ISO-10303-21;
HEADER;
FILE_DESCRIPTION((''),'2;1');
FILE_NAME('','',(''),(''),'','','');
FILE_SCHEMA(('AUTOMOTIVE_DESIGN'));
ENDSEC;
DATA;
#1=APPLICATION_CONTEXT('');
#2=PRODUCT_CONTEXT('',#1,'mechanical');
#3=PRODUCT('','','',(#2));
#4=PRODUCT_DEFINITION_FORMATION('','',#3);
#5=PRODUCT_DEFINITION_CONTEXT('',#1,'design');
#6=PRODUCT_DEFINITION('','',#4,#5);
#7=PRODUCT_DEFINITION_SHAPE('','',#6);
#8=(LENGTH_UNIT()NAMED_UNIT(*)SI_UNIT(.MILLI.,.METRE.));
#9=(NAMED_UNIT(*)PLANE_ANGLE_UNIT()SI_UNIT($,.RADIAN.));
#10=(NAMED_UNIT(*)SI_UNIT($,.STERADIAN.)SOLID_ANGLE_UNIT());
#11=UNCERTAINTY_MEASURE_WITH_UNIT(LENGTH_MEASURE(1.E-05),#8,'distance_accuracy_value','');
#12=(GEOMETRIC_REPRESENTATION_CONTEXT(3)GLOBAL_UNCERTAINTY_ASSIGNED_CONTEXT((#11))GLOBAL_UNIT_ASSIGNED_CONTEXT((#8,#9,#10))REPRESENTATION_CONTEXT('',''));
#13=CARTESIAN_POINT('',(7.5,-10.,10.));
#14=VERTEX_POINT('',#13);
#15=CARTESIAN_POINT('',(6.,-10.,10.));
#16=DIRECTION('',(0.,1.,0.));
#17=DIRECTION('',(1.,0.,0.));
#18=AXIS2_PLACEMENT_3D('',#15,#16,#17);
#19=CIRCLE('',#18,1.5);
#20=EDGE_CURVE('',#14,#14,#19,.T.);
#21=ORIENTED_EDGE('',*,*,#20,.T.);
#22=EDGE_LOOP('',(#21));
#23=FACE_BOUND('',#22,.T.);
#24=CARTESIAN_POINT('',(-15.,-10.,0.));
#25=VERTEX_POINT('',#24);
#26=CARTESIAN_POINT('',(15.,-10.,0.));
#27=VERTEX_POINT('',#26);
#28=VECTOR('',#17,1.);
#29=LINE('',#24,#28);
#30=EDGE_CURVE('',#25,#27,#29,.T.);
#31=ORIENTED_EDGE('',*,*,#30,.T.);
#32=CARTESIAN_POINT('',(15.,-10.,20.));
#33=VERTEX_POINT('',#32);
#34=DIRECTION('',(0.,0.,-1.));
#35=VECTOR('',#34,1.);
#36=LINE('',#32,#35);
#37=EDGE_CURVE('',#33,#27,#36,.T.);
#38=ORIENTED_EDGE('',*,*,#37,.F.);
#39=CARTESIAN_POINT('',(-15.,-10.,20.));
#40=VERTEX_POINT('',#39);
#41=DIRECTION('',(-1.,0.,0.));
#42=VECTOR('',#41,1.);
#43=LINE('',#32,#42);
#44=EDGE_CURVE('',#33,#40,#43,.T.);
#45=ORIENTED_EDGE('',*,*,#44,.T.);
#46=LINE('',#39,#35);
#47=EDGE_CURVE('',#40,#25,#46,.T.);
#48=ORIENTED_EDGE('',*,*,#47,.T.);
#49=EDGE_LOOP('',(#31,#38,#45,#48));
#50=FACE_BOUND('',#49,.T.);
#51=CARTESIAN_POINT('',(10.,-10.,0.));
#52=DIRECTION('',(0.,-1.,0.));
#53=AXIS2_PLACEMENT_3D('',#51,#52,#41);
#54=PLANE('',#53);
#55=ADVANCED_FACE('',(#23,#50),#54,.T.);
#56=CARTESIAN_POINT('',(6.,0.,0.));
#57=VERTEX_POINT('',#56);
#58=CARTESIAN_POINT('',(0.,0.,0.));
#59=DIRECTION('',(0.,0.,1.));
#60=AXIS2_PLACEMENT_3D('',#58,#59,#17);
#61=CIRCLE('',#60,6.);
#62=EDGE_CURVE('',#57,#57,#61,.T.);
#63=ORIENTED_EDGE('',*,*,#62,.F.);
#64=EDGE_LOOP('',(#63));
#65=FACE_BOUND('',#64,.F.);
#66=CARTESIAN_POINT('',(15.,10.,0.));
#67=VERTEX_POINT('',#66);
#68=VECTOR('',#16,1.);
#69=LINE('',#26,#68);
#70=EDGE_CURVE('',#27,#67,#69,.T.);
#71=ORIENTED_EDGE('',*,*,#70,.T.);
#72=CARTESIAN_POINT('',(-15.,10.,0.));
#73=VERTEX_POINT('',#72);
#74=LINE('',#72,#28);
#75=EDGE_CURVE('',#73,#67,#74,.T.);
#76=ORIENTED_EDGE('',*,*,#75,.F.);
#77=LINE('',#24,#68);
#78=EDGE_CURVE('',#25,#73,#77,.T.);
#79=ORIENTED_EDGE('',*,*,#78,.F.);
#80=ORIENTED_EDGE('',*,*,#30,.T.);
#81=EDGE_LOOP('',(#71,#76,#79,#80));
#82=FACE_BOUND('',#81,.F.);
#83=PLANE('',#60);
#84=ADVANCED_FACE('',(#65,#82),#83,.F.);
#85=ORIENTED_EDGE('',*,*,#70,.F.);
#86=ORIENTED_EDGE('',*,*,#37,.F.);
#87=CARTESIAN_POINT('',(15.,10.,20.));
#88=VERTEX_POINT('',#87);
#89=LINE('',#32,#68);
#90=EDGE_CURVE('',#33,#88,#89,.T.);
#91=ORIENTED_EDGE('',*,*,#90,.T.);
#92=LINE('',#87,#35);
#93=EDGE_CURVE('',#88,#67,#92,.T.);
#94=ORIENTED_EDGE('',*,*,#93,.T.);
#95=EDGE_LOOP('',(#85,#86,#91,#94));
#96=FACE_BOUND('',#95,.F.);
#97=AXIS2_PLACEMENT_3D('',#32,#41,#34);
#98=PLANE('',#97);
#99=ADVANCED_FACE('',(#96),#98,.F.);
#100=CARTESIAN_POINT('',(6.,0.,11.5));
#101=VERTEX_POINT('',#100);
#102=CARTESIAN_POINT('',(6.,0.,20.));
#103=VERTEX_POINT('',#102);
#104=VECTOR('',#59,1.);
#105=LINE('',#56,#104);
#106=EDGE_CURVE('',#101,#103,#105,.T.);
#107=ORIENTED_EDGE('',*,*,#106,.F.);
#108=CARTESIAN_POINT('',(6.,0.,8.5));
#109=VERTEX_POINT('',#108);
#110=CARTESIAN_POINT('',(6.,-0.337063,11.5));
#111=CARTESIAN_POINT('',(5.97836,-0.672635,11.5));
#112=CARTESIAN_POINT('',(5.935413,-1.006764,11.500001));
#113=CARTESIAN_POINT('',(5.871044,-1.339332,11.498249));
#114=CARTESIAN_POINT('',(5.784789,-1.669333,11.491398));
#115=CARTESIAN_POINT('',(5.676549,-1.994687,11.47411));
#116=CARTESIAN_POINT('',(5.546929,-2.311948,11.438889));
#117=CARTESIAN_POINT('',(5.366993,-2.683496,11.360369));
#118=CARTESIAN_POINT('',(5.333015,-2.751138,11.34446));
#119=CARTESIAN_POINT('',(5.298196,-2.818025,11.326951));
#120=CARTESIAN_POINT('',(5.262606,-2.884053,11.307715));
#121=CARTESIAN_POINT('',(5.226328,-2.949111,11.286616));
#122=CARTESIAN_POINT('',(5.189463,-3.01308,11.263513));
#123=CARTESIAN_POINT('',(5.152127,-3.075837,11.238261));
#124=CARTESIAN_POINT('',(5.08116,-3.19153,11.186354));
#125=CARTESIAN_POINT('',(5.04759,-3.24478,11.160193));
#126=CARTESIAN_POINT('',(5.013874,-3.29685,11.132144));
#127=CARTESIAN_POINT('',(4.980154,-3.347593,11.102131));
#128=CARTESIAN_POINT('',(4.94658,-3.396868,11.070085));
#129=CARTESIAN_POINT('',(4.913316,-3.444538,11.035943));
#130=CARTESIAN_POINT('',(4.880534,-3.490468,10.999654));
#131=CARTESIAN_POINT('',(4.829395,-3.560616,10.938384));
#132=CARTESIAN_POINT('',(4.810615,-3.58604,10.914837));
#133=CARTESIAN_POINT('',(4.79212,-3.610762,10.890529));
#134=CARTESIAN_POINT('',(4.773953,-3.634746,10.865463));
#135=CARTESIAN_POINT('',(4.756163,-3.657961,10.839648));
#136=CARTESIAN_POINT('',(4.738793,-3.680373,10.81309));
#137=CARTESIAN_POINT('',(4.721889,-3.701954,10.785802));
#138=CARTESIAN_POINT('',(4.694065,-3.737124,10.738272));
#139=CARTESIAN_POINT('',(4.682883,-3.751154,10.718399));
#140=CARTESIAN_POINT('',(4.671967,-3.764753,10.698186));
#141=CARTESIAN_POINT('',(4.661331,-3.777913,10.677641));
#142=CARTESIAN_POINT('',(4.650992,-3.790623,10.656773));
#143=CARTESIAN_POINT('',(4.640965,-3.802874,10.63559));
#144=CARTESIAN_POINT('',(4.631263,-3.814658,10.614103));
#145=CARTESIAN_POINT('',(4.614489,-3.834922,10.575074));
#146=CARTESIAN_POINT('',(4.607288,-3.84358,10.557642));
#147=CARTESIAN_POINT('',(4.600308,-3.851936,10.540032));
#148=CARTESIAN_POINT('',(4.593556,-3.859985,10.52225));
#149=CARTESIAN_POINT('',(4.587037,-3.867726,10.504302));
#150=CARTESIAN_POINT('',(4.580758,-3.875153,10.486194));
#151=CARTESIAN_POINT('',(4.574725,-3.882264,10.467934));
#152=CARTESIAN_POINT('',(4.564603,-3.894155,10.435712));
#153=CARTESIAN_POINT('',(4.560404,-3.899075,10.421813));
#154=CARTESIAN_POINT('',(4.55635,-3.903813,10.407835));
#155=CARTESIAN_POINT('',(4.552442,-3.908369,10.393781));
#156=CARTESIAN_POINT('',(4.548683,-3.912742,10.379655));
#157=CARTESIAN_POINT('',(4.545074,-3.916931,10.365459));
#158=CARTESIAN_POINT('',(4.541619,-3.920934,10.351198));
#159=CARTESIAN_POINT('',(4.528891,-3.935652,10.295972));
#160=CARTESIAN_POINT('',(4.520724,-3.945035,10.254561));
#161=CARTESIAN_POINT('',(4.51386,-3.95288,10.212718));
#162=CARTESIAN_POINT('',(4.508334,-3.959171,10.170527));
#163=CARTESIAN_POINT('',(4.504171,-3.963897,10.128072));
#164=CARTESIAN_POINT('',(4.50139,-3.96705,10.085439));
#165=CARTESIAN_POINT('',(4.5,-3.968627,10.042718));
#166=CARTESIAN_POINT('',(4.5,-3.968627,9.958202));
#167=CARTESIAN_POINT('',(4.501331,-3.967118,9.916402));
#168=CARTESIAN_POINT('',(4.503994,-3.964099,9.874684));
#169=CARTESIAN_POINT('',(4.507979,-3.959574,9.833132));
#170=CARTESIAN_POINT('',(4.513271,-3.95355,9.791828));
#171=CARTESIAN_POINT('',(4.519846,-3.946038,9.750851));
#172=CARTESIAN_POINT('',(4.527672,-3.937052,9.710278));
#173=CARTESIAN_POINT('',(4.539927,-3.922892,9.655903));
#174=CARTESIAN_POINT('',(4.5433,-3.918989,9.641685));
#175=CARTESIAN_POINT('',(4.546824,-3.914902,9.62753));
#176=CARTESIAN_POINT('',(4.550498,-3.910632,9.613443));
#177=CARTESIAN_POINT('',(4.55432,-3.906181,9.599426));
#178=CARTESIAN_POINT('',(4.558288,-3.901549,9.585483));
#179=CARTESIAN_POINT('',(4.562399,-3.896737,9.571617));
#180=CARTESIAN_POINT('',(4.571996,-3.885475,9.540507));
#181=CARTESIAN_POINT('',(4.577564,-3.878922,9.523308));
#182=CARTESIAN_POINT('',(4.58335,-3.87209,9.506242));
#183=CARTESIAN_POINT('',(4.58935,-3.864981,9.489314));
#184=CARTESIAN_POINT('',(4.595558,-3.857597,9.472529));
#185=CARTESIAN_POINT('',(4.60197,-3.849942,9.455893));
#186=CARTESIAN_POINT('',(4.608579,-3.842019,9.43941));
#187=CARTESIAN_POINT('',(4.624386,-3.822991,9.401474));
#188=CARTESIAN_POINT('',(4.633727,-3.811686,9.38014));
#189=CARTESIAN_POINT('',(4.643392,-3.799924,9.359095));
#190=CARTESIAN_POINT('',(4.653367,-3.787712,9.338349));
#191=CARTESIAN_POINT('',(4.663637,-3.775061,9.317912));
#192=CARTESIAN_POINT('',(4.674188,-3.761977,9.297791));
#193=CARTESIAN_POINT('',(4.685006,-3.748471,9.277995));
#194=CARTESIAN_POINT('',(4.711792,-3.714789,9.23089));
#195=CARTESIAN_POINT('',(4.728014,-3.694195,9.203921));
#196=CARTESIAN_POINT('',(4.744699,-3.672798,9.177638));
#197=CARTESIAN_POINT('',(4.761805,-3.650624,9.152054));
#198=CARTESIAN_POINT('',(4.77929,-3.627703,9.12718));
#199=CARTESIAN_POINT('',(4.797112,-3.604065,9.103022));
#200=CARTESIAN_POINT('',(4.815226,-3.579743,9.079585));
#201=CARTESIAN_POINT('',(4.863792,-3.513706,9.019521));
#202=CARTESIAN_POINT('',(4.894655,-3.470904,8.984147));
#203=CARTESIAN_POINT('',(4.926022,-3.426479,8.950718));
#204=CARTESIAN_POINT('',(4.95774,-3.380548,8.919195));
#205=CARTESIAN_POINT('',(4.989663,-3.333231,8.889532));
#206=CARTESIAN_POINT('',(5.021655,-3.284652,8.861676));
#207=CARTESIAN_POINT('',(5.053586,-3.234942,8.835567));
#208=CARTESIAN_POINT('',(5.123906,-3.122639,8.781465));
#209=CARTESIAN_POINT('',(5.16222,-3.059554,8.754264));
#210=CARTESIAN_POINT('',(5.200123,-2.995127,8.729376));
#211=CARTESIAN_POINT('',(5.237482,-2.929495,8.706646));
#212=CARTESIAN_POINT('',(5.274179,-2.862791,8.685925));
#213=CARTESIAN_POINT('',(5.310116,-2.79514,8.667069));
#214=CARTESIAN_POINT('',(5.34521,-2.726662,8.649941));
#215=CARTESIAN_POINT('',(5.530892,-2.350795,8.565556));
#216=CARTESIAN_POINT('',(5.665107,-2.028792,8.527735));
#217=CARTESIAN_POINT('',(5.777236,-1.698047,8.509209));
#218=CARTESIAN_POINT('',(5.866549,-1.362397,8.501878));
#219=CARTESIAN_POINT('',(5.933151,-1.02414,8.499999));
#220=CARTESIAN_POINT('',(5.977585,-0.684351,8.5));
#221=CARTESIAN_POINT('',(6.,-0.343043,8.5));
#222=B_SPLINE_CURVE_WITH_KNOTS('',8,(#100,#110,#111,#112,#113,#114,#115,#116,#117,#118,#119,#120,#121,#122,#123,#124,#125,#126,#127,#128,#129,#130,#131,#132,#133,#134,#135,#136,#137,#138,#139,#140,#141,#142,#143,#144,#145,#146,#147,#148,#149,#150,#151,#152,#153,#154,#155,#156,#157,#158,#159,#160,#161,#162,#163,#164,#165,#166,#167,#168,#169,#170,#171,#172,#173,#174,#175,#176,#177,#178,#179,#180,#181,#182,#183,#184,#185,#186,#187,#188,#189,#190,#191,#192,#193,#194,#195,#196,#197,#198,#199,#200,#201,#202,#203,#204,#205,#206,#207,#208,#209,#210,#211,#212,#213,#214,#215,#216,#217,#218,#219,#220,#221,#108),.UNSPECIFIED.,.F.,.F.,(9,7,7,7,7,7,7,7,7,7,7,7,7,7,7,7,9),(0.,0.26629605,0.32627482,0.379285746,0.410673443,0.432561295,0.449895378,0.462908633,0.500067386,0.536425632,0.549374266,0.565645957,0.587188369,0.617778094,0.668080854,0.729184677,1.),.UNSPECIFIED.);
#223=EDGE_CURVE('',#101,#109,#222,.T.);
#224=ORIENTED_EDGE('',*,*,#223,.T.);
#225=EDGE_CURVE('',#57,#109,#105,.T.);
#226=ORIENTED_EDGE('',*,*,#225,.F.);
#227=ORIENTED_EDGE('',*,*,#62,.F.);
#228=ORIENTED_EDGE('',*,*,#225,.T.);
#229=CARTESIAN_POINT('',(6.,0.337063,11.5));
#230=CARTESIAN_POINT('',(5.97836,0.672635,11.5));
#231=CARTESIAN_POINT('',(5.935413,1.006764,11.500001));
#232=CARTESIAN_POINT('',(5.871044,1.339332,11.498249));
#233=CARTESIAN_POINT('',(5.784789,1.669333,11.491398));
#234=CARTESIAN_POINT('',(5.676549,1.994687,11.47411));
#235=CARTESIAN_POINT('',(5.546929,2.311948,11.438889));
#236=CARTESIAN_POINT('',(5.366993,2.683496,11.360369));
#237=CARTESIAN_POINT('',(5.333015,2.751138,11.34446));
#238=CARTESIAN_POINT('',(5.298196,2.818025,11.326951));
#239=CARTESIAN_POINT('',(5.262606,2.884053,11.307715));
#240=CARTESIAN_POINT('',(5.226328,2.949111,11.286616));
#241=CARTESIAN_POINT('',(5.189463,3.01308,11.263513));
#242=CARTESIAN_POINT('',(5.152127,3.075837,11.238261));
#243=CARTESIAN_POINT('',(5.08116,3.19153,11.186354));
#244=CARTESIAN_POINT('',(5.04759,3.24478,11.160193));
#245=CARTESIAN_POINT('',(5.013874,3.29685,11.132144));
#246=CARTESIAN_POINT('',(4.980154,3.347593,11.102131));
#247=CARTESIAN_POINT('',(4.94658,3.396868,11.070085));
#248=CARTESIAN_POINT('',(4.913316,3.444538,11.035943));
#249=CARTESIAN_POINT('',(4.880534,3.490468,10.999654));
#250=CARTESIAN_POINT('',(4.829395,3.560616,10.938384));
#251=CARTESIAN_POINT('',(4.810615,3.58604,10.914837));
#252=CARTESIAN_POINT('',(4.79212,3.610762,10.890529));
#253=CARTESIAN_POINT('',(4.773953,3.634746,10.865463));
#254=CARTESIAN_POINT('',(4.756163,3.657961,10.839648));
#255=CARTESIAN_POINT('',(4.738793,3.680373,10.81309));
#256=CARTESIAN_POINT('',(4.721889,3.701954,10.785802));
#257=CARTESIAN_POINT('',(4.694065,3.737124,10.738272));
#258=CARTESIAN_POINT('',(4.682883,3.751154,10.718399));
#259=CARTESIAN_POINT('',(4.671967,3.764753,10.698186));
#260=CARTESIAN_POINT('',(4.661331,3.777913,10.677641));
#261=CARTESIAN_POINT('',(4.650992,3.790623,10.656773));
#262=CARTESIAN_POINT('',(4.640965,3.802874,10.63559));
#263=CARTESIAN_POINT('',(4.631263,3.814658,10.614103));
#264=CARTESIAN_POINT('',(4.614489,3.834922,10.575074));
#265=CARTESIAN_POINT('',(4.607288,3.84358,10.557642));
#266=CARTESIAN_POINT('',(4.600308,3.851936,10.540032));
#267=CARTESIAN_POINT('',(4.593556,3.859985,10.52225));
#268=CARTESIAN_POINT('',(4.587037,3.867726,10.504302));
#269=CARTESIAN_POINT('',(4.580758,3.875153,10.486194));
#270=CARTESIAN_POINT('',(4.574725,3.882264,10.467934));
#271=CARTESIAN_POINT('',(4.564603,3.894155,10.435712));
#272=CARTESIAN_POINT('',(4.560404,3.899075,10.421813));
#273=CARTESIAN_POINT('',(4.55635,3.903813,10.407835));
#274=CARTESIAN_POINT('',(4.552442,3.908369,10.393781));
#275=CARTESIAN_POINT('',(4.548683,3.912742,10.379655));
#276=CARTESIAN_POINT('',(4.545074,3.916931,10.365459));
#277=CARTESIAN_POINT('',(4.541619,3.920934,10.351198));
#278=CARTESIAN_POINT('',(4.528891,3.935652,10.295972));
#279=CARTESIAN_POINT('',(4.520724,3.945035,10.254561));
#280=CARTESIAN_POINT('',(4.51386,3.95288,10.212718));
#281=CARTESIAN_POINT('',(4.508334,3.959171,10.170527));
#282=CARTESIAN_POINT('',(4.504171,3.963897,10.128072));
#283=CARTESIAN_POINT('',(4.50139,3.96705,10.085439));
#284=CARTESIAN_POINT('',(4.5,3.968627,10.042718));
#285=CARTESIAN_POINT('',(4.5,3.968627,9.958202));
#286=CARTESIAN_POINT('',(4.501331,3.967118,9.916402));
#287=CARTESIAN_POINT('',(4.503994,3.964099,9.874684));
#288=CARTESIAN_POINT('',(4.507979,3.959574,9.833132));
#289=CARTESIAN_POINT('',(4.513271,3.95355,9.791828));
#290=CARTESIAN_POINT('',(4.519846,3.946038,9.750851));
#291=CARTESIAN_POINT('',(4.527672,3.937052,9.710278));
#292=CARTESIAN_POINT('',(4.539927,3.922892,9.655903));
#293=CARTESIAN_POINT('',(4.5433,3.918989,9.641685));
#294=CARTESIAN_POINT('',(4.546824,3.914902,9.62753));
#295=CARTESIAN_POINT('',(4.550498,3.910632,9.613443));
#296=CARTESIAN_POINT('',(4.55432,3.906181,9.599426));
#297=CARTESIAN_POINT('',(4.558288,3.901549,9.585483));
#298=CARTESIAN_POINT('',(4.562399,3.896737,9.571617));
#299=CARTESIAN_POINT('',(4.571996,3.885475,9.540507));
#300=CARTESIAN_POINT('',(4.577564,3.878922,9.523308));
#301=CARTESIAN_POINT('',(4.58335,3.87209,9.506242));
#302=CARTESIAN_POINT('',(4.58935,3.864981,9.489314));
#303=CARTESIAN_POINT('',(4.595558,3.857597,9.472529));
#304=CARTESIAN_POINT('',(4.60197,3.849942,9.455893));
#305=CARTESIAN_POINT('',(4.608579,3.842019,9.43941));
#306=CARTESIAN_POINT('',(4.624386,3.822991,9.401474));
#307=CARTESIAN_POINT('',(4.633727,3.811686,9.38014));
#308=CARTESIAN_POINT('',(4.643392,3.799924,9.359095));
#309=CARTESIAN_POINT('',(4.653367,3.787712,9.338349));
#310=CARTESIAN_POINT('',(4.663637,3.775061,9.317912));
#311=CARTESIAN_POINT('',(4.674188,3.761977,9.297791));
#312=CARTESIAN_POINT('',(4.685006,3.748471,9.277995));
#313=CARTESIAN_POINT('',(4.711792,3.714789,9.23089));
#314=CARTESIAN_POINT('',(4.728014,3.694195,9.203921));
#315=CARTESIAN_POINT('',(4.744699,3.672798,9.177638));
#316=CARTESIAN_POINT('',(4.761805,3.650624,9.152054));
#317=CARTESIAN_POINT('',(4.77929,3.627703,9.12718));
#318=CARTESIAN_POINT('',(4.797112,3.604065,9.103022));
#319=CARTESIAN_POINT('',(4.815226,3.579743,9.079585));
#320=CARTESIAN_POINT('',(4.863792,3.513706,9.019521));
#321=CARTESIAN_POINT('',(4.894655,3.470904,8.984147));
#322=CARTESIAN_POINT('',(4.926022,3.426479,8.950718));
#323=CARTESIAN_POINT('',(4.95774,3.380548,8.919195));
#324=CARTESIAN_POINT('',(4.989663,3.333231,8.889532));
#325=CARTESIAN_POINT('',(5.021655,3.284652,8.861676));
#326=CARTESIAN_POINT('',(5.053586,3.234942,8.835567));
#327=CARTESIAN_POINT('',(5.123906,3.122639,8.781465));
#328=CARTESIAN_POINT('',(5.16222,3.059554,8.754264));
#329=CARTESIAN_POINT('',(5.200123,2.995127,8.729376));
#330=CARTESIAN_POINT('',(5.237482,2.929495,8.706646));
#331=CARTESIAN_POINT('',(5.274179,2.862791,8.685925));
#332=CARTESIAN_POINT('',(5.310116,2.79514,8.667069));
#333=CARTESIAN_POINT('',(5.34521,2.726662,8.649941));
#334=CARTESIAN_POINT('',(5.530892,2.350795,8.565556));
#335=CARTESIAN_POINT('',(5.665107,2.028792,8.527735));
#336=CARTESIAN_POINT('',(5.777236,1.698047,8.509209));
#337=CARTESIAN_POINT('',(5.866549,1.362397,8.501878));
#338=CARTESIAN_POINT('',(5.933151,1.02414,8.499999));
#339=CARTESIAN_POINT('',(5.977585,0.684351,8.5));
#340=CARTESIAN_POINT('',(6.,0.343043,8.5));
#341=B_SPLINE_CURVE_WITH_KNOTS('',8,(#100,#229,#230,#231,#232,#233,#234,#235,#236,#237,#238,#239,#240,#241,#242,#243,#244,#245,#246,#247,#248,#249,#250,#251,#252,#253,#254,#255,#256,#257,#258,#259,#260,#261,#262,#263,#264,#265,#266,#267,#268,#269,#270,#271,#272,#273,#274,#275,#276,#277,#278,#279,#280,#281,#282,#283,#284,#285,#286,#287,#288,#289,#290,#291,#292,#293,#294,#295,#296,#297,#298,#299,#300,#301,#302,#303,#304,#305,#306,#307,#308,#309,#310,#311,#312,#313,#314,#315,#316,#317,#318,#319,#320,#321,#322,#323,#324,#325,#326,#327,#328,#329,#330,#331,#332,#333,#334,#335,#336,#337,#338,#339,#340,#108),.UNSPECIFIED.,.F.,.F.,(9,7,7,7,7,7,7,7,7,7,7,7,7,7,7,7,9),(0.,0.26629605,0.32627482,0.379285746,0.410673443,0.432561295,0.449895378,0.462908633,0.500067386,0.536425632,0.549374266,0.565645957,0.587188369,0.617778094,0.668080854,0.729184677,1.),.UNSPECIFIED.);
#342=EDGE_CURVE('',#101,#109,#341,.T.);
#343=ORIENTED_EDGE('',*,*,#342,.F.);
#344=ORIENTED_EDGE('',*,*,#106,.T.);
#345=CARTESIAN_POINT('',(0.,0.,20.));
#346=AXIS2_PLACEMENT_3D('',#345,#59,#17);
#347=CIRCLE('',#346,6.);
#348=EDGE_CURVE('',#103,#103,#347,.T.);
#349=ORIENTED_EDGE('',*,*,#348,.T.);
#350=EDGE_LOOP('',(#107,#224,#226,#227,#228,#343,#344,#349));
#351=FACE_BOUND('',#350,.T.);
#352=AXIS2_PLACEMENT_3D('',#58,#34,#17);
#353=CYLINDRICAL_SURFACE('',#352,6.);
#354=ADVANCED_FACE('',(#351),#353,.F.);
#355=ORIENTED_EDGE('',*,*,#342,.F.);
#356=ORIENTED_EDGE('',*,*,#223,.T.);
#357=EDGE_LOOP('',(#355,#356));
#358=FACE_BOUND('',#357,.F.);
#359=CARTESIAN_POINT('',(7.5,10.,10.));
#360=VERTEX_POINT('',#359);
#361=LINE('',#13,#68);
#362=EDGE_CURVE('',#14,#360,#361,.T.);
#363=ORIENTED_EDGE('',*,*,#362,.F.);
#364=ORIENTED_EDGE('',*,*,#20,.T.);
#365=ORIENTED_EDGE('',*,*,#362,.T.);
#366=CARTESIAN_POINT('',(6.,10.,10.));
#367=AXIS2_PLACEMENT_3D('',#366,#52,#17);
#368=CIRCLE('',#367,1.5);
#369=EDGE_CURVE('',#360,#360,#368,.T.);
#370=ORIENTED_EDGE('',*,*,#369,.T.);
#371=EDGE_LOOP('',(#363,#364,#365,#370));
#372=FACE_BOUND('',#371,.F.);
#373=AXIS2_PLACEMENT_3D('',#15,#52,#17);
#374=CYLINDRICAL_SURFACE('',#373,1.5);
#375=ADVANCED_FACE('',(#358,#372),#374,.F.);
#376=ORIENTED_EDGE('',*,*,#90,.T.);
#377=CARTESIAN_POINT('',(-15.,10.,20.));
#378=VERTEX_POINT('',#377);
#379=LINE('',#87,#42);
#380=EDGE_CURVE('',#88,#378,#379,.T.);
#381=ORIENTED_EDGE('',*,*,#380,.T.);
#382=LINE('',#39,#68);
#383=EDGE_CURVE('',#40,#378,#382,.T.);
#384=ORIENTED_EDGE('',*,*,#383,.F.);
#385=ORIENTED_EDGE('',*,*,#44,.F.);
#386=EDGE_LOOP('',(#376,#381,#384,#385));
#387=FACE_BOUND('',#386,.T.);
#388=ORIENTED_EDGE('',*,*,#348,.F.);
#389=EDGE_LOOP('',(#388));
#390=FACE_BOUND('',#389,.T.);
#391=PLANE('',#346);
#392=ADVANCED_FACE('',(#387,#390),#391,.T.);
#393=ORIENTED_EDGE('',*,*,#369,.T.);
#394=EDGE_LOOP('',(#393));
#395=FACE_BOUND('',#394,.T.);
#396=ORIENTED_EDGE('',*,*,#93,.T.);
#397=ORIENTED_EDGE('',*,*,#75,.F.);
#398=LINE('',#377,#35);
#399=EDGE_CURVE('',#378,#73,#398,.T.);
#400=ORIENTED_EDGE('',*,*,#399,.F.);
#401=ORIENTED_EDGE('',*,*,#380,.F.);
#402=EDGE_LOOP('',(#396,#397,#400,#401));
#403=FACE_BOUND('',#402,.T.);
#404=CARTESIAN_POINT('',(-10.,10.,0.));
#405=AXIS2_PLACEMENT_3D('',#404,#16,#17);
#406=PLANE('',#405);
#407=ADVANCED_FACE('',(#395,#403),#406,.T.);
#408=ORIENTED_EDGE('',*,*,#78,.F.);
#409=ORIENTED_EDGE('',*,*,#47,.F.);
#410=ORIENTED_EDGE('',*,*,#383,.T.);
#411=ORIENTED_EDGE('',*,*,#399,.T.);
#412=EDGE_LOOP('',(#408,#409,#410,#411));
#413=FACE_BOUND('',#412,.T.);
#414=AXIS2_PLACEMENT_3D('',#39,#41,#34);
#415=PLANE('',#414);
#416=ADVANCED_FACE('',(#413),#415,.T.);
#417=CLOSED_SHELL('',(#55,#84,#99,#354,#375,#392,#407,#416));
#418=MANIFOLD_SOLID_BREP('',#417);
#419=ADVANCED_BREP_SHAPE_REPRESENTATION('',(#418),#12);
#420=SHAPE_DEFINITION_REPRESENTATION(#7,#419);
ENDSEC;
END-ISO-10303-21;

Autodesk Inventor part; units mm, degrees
ref_plane "YZ Plane" through (0, 0, 0) normal (1, 0, 0) x (0, 1, 0)
ref_plane "XZ Plane" through (0, 0, 0) normal (0, 1, 0) x (-1, 0, 0)
ref_plane "XY Plane" through (0, 0, 0) normal (0, 0, 1) x (1, 0, 0)
sketch "Sketch1" plane through (0, 0, 0) normal (0, 0, 1) x (1, 0, 0)
  circle A0 centre (0, 0) radius 6
  line L0 (10, 10) -> (10, -10)
  line L1 (10, -10) -> (-10, -10)
  line L2 (-10, -10) -> (-10, 10)
  line L3 (-10, 10) -> (10, 10)
  dimension "d0" = 12
  dimension "d1" = 20
extrude "Extrusion1" add sketch "Sketch1" along normal blind 20
sketch "Sketch2" plane through (-10, -10, 0) normal (0, -1, 0) x (1, 0, 0)
  line L0 (7.9561, 12.9375) -> (13.8857, 12.9375) construction
  line L1 (13.8857, 12.9375) -> (13.8857, 9.2988) construction
  line L2 (13.8857, 9.2988) -> (7.9561, 9.2988) construction
  line L3 (7.9561, 9.2988) -> (7.9561, 12.9375) construction
  point P0 (10, 0)
sketch "Sketch3" plane through (-10, -10, 0) normal (0, -1, 0) x (1, 0, 0)
  line L0 (0, 0) -> (0, 20) projected
  line L1 (20, 0) -> (20, 20) projected
  line L2 (0, 20) -> (-5, 20)
  line L3 (-5, 20) -> (-5, 0)
  line L4 (-5, 0) -> (0, 0)
  line L5 (0, 0) -> (0, 20)
  line L6 (20, 0) -> (20, 20) projected
  line L7 (20, 20) -> (25, 20)
  line L8 (25, 20) -> (25, 0)
  line L9 (25, 0) -> (20, 0)
  line L10 (20, 0) -> (20, 20)
  point P0 (10, 0)
  dimension "d4" = 30
extrude "Extrusion2" add sketch "Sketch3" against normal up to surface (20 mm away)
sketch "Sketch4" plane through (-15, -10, 0) normal (0, -1, 0) x (1, 0, 0)
  line L0 (21, 0) -> (21, 20) projected
  line L1 (9, 0) -> (9, 20) projected
  circle A0 centre (21, 10) radius 1.5
  point P0 (15, 0)
  dimension "d7" = 3
extrude "Extrusion3" cut sketch "Sketch4" against normal through all
properties part number "Bearing10" material "Acero, carbono"
